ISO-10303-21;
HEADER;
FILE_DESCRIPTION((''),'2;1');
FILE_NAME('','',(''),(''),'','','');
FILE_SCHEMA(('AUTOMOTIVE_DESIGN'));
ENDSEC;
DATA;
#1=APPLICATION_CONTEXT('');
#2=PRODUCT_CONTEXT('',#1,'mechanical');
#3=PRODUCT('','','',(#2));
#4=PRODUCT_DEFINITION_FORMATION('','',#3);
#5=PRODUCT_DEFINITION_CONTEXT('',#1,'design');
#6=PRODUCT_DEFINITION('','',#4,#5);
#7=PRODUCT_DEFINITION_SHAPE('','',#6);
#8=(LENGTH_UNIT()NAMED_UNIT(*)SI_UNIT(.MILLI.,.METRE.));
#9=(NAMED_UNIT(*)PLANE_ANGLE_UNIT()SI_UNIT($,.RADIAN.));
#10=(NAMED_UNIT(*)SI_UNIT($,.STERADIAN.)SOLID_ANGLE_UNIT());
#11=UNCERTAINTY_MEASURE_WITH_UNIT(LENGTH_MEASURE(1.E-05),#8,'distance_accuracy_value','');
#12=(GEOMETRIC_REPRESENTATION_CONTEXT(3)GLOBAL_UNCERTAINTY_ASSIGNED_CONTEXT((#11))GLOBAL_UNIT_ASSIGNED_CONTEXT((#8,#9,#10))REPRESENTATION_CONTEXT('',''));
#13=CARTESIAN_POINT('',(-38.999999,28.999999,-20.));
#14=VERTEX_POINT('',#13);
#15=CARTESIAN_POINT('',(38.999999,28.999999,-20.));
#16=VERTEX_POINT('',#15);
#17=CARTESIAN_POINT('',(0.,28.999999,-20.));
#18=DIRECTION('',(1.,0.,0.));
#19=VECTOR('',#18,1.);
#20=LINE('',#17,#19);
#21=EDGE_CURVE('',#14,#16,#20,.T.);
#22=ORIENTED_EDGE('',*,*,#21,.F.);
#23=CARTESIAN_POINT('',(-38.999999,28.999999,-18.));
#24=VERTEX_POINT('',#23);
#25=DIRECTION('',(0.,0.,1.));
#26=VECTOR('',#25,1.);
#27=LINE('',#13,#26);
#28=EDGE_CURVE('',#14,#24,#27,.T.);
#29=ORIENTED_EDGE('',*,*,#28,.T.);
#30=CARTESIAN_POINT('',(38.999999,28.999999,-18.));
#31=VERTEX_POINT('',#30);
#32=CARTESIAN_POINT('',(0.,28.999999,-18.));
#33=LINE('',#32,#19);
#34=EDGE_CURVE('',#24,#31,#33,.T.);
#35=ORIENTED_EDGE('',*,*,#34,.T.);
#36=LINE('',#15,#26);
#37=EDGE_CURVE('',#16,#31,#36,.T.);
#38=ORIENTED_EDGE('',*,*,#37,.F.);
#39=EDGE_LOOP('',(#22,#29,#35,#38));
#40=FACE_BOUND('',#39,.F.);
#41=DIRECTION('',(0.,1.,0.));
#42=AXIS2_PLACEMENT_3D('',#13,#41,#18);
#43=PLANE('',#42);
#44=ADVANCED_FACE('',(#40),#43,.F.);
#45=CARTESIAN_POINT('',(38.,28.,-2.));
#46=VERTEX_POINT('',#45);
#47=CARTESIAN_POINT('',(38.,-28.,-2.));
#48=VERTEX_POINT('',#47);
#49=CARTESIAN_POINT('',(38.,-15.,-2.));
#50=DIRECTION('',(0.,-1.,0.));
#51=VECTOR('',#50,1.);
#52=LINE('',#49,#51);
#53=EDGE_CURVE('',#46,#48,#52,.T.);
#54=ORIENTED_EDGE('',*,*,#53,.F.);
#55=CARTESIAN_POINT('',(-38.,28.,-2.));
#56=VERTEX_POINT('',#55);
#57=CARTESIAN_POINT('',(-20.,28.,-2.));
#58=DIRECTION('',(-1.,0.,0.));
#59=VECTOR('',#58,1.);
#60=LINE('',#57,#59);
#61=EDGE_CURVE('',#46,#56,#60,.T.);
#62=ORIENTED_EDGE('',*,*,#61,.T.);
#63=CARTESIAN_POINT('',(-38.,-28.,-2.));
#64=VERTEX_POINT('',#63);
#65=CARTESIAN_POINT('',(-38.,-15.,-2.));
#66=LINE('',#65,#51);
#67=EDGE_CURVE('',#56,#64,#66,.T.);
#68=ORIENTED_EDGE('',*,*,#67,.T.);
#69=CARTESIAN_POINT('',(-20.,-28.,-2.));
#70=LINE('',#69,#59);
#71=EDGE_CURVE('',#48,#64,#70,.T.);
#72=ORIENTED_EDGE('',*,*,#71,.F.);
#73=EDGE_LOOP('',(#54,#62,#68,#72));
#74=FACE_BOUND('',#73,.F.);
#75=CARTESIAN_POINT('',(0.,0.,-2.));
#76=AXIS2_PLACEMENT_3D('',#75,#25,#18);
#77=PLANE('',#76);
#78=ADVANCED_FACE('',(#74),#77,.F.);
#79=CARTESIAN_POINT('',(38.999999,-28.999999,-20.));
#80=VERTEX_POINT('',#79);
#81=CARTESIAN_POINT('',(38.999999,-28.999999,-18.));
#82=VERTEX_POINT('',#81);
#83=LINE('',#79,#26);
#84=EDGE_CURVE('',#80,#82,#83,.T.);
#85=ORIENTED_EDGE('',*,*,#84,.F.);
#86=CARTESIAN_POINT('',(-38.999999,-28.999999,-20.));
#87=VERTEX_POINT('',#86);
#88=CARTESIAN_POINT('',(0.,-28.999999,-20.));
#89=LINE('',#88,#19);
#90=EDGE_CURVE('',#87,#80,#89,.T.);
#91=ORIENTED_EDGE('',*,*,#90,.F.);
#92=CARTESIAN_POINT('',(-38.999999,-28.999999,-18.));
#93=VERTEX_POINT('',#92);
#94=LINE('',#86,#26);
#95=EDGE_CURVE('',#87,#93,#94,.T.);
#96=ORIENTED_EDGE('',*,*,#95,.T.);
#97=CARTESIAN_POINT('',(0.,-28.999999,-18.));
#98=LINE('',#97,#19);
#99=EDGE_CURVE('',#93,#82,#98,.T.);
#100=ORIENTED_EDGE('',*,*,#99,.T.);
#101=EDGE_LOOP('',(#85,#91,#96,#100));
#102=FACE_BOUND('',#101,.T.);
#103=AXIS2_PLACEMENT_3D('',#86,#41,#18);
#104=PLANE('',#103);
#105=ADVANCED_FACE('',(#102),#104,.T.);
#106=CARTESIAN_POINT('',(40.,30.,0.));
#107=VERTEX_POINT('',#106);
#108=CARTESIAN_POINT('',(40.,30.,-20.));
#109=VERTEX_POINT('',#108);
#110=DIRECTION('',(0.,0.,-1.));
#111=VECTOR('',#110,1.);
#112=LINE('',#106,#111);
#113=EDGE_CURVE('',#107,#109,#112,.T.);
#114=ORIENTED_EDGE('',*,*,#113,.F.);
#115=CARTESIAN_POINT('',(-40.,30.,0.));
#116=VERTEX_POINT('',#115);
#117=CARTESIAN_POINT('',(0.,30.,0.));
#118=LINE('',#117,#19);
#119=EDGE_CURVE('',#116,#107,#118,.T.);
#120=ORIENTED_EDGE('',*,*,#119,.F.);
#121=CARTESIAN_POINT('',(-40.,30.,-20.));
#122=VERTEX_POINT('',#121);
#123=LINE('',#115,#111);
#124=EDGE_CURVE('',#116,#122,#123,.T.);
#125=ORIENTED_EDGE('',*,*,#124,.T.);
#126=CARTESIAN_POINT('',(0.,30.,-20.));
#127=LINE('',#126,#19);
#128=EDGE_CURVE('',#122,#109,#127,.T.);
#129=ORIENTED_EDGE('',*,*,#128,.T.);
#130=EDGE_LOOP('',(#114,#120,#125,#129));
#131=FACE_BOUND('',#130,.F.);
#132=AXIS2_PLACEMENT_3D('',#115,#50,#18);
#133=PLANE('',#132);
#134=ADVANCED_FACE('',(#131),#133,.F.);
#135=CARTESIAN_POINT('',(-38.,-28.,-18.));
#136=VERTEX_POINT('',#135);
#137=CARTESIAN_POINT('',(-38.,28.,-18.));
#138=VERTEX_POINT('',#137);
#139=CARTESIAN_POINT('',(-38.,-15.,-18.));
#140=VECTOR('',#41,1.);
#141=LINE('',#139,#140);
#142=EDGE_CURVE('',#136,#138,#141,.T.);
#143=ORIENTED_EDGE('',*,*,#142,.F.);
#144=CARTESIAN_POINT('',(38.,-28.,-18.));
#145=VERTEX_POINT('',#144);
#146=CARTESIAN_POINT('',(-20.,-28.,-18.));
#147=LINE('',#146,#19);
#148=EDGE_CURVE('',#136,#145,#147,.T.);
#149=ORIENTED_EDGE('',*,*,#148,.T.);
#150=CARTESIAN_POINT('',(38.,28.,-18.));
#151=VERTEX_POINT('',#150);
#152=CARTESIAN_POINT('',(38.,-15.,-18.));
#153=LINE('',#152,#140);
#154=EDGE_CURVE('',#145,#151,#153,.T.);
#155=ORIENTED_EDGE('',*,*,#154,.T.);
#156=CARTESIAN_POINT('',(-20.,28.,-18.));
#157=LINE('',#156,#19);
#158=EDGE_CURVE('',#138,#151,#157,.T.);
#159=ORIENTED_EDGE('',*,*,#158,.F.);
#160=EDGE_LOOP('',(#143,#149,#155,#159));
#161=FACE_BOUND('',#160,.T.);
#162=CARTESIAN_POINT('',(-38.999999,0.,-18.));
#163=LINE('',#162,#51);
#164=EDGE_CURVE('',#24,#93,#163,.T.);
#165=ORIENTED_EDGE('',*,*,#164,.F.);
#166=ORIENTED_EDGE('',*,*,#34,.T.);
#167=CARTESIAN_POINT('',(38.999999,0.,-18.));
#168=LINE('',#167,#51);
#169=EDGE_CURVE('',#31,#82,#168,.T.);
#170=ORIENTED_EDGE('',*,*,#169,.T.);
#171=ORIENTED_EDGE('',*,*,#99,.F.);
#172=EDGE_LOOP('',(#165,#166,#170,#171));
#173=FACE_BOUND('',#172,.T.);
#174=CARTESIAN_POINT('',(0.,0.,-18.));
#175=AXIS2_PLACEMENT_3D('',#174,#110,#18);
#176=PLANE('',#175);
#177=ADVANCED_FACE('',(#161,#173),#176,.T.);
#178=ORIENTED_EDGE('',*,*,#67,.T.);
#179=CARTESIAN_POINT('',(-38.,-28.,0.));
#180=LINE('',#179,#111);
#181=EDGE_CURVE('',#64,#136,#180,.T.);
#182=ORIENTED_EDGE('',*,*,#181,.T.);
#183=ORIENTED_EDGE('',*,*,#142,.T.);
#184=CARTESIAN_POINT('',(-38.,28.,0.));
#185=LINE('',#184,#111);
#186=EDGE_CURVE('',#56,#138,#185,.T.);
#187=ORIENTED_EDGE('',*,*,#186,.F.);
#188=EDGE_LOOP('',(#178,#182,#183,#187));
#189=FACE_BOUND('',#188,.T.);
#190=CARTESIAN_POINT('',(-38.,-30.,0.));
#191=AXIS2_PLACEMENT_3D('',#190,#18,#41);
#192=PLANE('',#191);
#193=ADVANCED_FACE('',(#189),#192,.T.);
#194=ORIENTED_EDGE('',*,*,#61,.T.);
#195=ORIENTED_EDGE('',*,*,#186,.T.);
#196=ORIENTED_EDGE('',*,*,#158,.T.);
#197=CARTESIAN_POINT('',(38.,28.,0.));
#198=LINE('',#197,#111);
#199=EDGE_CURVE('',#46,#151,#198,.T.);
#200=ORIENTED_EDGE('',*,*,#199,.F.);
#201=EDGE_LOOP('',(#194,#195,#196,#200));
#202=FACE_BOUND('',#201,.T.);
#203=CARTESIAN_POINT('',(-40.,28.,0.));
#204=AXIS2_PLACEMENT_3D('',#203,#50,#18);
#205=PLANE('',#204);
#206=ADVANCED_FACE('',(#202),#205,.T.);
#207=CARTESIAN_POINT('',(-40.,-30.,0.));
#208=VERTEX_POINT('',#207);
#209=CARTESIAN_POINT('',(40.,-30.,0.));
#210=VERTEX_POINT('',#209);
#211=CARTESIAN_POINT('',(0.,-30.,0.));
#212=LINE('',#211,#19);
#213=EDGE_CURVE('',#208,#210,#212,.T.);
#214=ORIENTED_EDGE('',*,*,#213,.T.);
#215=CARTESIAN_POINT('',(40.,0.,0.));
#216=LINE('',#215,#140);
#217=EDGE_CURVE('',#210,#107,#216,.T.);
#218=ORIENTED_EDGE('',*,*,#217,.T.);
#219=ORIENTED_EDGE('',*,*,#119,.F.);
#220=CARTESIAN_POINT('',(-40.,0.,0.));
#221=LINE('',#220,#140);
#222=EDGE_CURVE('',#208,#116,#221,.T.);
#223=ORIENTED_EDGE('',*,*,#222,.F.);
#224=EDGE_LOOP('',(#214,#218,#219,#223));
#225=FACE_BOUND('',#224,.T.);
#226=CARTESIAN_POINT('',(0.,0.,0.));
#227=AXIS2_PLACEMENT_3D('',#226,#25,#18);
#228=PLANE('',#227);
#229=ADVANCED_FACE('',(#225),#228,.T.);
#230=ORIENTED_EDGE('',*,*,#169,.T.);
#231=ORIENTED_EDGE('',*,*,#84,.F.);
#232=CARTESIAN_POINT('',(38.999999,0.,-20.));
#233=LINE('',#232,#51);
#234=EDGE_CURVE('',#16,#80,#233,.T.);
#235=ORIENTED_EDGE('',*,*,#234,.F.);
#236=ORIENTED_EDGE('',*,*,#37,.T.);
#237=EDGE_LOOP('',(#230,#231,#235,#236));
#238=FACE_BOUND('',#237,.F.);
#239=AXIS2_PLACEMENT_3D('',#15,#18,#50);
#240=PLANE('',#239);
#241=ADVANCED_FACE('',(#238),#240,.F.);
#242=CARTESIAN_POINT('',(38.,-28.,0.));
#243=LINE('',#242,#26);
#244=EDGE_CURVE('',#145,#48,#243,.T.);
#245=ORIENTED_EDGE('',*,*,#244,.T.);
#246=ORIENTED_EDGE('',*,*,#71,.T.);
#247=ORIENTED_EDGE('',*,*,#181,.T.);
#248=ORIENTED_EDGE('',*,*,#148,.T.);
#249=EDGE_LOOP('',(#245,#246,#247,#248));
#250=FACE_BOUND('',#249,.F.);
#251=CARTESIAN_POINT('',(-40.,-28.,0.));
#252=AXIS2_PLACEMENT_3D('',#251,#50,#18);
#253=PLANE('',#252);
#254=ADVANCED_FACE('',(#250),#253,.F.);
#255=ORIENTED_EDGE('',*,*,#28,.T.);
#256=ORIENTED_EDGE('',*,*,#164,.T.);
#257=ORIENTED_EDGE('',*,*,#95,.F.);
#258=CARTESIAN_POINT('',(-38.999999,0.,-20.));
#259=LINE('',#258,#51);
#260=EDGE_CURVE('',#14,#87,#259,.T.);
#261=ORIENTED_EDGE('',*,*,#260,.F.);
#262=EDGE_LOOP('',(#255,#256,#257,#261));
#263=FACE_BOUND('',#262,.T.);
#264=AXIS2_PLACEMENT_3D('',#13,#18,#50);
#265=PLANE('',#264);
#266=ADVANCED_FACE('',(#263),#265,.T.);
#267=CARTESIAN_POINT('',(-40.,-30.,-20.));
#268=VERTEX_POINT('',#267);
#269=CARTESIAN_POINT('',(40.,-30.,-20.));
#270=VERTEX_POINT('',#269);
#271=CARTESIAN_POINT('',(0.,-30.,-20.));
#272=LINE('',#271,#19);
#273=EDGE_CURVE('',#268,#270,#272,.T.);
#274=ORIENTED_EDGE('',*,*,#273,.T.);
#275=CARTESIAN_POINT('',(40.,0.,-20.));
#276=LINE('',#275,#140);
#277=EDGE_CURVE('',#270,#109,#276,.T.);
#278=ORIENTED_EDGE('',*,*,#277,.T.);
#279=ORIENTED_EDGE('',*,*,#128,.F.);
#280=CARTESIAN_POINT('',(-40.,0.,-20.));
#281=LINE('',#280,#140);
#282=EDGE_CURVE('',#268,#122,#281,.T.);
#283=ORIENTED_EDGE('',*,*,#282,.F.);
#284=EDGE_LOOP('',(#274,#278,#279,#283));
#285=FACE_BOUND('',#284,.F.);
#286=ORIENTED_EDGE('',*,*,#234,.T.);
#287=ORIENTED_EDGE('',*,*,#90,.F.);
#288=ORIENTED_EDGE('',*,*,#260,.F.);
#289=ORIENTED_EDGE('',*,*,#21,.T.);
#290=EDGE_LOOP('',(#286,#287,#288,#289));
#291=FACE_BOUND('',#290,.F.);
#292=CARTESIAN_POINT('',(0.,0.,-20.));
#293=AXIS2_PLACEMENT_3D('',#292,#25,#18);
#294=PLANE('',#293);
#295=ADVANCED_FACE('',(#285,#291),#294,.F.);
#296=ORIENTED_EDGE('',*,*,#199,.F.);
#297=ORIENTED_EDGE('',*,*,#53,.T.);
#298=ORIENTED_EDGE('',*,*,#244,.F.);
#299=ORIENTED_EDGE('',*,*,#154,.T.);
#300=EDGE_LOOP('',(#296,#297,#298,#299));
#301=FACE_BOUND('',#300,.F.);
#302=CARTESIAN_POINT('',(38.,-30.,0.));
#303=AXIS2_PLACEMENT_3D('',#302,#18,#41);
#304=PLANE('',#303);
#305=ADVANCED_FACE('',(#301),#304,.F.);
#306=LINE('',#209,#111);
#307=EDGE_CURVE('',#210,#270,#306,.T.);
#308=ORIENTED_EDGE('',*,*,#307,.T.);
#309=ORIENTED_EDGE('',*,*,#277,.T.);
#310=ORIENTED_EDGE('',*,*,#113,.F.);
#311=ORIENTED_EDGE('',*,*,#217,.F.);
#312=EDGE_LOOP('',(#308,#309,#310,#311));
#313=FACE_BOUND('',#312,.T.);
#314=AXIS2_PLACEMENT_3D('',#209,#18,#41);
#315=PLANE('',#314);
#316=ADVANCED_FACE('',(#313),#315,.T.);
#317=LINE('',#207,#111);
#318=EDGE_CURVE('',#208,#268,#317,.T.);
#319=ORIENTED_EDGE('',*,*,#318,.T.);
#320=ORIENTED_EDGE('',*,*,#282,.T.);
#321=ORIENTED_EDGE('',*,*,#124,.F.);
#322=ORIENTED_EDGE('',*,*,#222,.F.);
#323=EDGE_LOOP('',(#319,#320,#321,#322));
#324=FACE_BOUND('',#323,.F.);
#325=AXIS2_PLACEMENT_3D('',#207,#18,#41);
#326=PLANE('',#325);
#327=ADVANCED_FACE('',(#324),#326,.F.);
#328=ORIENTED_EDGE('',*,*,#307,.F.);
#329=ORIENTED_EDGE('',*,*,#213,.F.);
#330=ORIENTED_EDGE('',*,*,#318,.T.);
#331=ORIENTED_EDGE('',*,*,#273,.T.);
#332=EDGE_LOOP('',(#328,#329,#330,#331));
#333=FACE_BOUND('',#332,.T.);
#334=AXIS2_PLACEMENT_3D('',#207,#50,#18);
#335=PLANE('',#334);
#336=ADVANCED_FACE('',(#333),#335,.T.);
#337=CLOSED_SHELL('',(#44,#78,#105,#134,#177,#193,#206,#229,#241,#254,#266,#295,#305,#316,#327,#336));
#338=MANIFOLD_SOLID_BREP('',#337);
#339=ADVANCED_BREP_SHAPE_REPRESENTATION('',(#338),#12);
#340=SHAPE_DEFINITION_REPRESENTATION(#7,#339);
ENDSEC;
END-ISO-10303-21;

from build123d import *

# Parameters (mm, degrees)
F0_W     = 80
F0_H     = 60
F1_DEPTH = 20
F2_T     = -2
F3_W     = 77.999998
F3_H     = 57.999998
F4_DEPTH = 2


with BuildPart() as f1:
    # F0 (on Top) → F1 (new body)
    with BuildSketch(Plane.XY):
        Rectangle(F0_W, F0_H)
    extrude(amount=-F1_DEPTH)

    # F2
    f2_openings = [f1.faces().sort_by_distance(p)[0] for p in [
        (0, 0, -20),
    ]]
    offset(amount=F2_T, openings=f2_openings)

    # F3 (on face) → F4 (cut)
    with BuildSketch(Plane(origin=(0, 0, -20), x_dir=(1, 0, 0), z_dir=(0, 0, -1))):
        Rectangle(F3_W, F3_H)
    extrude(amount=-F4_DEPTH, mode=Mode.SUBTRACT)


solid = f1.part
